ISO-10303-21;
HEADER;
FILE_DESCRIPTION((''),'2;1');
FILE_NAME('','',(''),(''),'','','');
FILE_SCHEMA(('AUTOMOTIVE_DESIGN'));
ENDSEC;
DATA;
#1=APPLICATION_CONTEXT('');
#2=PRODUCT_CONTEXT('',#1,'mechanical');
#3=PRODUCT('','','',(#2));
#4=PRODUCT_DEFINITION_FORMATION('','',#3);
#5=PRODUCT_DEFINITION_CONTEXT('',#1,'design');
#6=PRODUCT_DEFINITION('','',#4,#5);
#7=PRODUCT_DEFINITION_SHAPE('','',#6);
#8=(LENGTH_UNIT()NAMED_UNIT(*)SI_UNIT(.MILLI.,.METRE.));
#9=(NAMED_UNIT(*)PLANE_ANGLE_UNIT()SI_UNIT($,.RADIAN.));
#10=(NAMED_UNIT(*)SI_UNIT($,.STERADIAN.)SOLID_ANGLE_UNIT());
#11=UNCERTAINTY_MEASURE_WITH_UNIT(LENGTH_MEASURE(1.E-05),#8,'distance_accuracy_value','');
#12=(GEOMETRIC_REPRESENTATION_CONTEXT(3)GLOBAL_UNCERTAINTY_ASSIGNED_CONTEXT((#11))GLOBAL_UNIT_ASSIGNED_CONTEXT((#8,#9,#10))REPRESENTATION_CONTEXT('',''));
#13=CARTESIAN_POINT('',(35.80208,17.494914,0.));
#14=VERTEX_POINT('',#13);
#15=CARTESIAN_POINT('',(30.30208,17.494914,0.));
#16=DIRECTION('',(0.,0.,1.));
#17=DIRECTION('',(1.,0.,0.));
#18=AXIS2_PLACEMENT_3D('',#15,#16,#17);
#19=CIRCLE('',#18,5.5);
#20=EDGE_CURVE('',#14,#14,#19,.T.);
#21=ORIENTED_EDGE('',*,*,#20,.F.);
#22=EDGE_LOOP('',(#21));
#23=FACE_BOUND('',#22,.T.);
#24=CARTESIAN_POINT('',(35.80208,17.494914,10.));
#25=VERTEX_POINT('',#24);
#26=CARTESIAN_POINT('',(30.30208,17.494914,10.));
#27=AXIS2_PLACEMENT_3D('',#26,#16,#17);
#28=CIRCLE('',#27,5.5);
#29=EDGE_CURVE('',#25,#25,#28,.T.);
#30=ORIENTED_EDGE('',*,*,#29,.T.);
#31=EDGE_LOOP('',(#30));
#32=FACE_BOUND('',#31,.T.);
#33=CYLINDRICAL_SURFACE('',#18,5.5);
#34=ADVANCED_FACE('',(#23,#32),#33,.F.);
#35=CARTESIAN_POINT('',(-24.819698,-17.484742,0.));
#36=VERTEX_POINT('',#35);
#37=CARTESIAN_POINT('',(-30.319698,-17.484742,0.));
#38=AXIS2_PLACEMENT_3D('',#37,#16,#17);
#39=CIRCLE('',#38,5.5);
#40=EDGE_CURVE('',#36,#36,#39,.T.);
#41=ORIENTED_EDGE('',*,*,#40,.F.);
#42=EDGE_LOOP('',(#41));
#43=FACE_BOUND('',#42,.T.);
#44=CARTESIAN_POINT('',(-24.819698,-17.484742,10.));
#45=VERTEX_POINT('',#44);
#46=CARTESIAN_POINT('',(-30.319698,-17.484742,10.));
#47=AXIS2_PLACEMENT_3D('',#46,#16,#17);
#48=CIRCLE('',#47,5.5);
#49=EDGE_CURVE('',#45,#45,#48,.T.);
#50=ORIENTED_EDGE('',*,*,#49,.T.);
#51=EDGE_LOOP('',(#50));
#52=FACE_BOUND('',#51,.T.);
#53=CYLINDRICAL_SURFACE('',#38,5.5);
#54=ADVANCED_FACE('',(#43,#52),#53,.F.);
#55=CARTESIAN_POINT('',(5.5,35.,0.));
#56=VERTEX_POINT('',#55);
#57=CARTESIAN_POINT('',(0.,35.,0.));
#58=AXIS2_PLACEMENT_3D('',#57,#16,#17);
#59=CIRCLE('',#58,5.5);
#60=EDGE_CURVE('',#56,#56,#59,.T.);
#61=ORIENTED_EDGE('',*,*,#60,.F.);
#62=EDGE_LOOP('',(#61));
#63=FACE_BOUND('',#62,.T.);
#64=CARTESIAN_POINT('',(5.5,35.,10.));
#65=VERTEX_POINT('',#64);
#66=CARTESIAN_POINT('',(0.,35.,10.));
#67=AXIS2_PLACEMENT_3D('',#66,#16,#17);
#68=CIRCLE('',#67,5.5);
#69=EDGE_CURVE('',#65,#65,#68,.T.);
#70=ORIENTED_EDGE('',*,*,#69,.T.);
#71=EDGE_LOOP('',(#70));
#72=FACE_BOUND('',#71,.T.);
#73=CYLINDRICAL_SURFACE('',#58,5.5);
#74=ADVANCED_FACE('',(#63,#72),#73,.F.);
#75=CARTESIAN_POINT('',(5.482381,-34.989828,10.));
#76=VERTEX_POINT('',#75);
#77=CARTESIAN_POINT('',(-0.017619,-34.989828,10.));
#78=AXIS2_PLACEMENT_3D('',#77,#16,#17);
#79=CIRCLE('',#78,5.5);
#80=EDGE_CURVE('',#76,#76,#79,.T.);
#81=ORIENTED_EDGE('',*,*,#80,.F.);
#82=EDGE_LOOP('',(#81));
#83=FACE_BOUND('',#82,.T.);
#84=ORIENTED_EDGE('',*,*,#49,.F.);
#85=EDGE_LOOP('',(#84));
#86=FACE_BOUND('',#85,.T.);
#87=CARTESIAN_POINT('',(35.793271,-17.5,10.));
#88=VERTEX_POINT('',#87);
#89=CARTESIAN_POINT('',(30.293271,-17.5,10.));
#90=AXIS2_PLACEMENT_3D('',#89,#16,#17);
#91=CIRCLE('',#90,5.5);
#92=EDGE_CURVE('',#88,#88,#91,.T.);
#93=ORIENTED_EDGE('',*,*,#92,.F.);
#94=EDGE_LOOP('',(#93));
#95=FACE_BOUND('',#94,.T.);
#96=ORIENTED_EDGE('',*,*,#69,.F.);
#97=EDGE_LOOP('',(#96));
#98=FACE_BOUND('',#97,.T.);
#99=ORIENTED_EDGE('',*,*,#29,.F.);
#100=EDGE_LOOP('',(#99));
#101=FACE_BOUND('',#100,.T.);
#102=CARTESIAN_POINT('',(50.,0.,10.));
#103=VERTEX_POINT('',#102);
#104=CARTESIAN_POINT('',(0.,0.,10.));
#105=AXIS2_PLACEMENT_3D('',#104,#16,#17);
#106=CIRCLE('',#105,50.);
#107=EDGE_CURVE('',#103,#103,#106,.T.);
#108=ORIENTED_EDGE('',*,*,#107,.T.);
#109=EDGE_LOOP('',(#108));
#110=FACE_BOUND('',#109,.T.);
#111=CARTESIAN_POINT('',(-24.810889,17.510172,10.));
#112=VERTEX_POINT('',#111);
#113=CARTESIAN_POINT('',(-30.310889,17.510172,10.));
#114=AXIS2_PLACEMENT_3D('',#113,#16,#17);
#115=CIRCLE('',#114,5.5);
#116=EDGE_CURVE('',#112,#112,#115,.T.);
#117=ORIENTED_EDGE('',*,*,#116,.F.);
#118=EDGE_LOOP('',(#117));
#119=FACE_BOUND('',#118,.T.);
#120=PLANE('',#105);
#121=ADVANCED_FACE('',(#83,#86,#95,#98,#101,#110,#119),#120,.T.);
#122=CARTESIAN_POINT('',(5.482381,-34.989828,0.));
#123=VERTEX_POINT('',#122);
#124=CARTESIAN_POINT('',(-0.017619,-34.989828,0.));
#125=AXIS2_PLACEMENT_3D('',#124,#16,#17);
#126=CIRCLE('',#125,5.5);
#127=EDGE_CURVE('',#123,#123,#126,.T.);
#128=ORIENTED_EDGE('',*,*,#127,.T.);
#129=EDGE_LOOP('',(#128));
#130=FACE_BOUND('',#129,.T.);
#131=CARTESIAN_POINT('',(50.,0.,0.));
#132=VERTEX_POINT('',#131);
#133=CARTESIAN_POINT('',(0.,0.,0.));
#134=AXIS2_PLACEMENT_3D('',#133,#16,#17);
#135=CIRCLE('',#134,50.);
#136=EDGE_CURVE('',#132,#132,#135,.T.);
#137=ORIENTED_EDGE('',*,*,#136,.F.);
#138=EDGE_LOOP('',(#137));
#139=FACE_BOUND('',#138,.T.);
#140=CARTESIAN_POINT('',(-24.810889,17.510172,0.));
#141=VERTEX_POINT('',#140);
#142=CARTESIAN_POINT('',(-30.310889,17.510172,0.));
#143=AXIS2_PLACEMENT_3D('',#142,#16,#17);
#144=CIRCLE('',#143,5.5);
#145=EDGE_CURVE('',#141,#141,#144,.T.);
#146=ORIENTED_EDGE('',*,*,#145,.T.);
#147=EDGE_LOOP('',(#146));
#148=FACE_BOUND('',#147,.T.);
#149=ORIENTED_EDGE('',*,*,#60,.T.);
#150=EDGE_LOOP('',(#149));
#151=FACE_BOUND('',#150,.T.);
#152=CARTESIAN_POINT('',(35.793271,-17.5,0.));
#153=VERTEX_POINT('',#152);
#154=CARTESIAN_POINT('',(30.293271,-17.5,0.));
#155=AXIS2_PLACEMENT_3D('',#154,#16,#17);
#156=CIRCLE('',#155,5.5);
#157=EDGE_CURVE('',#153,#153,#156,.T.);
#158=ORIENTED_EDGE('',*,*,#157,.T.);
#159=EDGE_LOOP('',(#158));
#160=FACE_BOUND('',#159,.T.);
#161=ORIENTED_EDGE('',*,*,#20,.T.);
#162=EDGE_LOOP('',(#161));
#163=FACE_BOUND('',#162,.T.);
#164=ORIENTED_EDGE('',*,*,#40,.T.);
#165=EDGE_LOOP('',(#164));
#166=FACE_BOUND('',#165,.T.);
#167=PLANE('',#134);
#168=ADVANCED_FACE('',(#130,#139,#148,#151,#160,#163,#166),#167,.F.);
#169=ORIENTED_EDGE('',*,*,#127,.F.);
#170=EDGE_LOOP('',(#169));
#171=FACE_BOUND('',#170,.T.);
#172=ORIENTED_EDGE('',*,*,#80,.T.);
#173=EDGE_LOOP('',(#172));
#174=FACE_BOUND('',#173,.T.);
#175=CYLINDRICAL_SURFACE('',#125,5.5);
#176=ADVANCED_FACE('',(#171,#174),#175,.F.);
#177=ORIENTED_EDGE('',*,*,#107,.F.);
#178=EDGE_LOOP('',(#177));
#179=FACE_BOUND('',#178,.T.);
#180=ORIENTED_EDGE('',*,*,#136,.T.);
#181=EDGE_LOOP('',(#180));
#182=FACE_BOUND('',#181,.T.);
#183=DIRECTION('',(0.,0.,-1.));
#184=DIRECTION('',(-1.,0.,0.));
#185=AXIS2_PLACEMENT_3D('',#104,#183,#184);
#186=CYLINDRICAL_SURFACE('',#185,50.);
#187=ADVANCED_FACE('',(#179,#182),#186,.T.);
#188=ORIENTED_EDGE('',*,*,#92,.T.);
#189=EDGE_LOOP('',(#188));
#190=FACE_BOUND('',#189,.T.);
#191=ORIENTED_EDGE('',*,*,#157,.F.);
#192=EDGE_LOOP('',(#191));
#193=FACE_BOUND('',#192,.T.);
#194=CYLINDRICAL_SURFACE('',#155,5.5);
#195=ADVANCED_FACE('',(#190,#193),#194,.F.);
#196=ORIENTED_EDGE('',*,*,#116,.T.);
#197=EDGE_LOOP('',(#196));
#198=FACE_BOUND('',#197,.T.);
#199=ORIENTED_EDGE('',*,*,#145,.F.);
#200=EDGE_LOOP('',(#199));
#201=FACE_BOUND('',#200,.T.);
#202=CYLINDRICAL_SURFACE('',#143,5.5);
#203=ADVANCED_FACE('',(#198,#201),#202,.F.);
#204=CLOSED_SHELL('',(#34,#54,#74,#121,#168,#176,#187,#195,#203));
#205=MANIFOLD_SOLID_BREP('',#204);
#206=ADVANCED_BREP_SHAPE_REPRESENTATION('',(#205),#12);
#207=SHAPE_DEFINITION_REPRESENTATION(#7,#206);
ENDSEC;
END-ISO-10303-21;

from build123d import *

# Parameters (mm, degrees)
ESBO_O1_R                = 50
RESSALTO_EXTRUS_O1_DEPTH = 10
ESBO_O2_R                = 5.5
CORTE_EXTRUS_O1_DEPTH    = 72.414284285


with BuildPart() as part:
    # Esboço1 → Ressalto-extrusão1 (new body)
    with BuildSketch(Plane.XY):
        Circle(ESBO_O1_R)
    extrude(amount=RESSALTO_EXTRUS_O1_DEPTH)

    # Esboço2 → Corte-extrusão1 (cut, through all)
    with BuildSketch(Plane.XY.offset(10)):
        with Locations((0, 35)):
            Circle(ESBO_O2_R)
        with Locations((30.302079877, 17.494913974)):
            Circle(ESBO_O2_R)
        with Locations((30.293270622, -17.5)):
            Circle(ESBO_O2_R)
        with Locations((-0.01761851, -34.989827948)):
            Circle(ESBO_O2_R)
        with Locations((-30.319698388, -17.484741922)):
            Circle(ESBO_O2_R)
        with Locations((-30.310889132, 17.510172052)):
            Circle(ESBO_O2_R)
    extrude(amount=-CORTE_EXTRUS_O1_DEPTH, mode=Mode.SUBTRACT)


solid = part.part
